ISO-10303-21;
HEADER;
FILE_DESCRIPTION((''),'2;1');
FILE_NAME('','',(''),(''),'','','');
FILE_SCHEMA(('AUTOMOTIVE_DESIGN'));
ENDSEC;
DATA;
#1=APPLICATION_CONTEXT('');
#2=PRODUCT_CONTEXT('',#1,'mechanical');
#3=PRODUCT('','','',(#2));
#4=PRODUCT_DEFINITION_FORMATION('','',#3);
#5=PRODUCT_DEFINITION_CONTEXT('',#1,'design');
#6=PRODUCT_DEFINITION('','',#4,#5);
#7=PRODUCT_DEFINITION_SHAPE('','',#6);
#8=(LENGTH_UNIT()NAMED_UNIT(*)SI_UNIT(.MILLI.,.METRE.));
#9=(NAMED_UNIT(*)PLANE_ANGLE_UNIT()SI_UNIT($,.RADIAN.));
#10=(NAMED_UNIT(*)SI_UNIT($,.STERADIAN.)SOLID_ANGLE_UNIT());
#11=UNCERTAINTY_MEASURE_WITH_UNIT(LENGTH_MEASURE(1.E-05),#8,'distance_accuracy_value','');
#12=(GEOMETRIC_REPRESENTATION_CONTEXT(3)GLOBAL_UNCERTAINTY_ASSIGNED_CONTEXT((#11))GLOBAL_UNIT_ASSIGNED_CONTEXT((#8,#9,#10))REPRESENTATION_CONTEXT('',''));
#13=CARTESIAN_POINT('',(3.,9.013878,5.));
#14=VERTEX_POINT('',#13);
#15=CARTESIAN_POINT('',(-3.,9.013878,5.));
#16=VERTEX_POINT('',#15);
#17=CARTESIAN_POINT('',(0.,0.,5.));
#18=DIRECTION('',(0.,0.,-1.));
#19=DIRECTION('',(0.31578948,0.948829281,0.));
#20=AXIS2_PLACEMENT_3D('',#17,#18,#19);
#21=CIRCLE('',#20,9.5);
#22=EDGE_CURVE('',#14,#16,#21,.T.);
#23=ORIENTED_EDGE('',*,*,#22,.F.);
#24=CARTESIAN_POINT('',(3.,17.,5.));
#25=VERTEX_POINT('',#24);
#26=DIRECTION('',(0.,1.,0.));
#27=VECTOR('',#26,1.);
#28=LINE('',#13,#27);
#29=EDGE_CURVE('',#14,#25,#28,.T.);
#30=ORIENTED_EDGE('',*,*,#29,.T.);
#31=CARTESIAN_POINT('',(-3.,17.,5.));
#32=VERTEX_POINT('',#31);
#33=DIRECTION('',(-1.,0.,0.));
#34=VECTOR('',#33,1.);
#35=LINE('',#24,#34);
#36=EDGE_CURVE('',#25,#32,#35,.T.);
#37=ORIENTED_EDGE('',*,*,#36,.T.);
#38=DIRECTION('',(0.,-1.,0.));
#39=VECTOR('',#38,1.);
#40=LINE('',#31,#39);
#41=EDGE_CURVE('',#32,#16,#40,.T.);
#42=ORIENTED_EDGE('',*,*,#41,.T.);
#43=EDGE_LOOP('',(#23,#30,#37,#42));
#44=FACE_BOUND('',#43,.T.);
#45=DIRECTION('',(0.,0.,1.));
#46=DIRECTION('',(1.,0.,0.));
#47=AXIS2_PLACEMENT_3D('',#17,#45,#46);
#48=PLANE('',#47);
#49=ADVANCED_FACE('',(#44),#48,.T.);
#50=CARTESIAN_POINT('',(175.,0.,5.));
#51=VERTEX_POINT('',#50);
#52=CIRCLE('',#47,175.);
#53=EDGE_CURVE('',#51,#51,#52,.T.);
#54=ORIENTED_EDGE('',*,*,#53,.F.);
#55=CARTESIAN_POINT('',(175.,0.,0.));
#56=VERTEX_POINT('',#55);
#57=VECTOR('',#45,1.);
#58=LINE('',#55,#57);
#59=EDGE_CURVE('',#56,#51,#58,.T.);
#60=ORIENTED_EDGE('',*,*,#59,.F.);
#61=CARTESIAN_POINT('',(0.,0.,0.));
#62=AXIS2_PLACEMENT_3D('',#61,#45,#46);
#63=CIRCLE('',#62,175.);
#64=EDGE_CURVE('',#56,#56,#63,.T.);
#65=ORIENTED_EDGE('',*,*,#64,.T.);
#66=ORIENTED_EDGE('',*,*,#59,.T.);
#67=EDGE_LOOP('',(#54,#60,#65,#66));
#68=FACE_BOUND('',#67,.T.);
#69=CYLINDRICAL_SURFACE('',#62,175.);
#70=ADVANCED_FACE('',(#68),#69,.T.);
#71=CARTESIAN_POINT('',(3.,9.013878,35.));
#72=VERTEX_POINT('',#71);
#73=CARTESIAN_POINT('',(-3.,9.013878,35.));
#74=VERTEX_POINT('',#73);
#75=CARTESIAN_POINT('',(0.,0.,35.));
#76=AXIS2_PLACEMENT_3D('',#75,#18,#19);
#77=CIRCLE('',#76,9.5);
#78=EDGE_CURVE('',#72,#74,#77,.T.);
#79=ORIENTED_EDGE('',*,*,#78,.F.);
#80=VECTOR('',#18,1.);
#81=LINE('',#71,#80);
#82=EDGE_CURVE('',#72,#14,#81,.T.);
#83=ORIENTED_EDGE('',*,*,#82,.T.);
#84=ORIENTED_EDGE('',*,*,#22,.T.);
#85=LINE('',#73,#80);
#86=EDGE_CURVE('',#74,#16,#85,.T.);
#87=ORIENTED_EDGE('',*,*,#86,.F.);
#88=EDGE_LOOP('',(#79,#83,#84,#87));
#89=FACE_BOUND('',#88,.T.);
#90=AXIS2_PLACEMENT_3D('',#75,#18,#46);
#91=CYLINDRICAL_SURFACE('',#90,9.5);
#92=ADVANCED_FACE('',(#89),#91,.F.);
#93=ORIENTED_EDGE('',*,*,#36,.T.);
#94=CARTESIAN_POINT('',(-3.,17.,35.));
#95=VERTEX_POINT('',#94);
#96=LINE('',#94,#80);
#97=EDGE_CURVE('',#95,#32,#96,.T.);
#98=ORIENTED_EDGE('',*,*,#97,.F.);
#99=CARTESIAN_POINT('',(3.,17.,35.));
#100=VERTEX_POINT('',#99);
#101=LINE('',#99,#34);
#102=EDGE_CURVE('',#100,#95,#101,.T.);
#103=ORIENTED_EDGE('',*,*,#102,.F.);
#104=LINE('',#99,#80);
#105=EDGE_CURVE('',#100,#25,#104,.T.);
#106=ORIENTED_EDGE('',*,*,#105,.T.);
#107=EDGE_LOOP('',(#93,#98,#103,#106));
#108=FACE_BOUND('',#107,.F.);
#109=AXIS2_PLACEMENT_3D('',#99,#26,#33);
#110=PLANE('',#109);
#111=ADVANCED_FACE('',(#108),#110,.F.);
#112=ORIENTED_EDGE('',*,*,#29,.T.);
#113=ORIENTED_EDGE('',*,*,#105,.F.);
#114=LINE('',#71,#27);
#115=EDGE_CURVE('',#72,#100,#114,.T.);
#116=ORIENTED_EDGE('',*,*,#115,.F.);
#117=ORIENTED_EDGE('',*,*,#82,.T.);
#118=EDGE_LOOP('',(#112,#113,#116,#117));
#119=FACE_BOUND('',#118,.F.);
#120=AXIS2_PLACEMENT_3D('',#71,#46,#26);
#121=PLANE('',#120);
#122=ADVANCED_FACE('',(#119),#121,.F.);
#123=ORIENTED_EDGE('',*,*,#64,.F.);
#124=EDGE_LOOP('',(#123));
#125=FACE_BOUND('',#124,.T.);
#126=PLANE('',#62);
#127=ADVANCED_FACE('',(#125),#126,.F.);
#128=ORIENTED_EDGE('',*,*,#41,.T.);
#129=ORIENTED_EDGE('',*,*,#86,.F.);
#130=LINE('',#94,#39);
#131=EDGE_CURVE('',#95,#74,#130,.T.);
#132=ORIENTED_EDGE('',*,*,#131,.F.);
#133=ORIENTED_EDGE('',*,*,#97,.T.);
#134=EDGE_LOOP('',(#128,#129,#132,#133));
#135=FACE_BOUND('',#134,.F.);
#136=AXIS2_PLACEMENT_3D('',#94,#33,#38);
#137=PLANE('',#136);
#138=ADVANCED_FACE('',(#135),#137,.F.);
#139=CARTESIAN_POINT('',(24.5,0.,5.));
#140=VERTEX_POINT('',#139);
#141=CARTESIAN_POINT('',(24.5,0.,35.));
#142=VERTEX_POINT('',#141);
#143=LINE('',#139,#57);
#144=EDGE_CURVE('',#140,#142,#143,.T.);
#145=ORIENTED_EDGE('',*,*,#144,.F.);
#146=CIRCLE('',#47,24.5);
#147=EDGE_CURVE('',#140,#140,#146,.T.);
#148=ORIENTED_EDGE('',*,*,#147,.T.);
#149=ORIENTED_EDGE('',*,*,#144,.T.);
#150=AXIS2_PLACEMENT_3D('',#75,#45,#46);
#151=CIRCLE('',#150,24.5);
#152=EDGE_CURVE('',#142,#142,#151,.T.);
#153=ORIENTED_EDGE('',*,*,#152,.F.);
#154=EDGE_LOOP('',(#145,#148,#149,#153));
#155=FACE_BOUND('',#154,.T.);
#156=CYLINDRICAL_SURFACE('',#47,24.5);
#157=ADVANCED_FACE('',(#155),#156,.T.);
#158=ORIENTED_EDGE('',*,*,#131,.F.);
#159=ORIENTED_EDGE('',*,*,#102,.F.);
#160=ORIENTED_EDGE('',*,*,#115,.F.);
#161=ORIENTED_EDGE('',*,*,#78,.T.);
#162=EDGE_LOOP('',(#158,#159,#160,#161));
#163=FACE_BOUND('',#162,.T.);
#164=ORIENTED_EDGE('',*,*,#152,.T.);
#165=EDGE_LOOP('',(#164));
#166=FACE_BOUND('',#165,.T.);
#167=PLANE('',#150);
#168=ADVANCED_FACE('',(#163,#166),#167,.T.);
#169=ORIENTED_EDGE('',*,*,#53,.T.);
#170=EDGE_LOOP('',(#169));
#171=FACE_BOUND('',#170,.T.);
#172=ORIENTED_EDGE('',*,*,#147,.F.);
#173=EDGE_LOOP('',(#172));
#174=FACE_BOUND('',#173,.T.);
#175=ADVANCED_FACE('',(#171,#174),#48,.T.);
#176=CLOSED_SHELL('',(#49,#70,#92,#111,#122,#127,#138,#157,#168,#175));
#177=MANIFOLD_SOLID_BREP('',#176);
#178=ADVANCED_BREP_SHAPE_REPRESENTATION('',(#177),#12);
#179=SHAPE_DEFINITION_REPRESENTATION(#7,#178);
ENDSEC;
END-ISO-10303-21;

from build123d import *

# Parameters (mm, degrees)
F3_DEPTH = 30


with BuildPart() as f1:
    # F0 (on Front) → F1 (revolve)
    with BuildSketch(Plane.XZ):
        Polygon((0, 0), (175, 0), (175, 5), (24.5, 5), (24.5, 35), (9.5, 35), (9.5, 5), (0, 5), align=None)
    revolve(axis=Axis((0, 0, 34.629346), (0, 0, 1)))

    # F2 (on face) → F3 (cut)
    with BuildSketch(Plane.XY.offset(35)):
        with BuildLine():
            Line((-3, 17), (-3, 9.013878))
            ThreePointArc((-3, 9.013878), (0, 9.5), (3, 9.013878))
            Line((3, 9.013878), (3, 17))
            Line((3, 17), (-3, 17))
        make_face()
    extrude(amount=-F3_DEPTH, mode=Mode.SUBTRACT)


solid = f1.part
